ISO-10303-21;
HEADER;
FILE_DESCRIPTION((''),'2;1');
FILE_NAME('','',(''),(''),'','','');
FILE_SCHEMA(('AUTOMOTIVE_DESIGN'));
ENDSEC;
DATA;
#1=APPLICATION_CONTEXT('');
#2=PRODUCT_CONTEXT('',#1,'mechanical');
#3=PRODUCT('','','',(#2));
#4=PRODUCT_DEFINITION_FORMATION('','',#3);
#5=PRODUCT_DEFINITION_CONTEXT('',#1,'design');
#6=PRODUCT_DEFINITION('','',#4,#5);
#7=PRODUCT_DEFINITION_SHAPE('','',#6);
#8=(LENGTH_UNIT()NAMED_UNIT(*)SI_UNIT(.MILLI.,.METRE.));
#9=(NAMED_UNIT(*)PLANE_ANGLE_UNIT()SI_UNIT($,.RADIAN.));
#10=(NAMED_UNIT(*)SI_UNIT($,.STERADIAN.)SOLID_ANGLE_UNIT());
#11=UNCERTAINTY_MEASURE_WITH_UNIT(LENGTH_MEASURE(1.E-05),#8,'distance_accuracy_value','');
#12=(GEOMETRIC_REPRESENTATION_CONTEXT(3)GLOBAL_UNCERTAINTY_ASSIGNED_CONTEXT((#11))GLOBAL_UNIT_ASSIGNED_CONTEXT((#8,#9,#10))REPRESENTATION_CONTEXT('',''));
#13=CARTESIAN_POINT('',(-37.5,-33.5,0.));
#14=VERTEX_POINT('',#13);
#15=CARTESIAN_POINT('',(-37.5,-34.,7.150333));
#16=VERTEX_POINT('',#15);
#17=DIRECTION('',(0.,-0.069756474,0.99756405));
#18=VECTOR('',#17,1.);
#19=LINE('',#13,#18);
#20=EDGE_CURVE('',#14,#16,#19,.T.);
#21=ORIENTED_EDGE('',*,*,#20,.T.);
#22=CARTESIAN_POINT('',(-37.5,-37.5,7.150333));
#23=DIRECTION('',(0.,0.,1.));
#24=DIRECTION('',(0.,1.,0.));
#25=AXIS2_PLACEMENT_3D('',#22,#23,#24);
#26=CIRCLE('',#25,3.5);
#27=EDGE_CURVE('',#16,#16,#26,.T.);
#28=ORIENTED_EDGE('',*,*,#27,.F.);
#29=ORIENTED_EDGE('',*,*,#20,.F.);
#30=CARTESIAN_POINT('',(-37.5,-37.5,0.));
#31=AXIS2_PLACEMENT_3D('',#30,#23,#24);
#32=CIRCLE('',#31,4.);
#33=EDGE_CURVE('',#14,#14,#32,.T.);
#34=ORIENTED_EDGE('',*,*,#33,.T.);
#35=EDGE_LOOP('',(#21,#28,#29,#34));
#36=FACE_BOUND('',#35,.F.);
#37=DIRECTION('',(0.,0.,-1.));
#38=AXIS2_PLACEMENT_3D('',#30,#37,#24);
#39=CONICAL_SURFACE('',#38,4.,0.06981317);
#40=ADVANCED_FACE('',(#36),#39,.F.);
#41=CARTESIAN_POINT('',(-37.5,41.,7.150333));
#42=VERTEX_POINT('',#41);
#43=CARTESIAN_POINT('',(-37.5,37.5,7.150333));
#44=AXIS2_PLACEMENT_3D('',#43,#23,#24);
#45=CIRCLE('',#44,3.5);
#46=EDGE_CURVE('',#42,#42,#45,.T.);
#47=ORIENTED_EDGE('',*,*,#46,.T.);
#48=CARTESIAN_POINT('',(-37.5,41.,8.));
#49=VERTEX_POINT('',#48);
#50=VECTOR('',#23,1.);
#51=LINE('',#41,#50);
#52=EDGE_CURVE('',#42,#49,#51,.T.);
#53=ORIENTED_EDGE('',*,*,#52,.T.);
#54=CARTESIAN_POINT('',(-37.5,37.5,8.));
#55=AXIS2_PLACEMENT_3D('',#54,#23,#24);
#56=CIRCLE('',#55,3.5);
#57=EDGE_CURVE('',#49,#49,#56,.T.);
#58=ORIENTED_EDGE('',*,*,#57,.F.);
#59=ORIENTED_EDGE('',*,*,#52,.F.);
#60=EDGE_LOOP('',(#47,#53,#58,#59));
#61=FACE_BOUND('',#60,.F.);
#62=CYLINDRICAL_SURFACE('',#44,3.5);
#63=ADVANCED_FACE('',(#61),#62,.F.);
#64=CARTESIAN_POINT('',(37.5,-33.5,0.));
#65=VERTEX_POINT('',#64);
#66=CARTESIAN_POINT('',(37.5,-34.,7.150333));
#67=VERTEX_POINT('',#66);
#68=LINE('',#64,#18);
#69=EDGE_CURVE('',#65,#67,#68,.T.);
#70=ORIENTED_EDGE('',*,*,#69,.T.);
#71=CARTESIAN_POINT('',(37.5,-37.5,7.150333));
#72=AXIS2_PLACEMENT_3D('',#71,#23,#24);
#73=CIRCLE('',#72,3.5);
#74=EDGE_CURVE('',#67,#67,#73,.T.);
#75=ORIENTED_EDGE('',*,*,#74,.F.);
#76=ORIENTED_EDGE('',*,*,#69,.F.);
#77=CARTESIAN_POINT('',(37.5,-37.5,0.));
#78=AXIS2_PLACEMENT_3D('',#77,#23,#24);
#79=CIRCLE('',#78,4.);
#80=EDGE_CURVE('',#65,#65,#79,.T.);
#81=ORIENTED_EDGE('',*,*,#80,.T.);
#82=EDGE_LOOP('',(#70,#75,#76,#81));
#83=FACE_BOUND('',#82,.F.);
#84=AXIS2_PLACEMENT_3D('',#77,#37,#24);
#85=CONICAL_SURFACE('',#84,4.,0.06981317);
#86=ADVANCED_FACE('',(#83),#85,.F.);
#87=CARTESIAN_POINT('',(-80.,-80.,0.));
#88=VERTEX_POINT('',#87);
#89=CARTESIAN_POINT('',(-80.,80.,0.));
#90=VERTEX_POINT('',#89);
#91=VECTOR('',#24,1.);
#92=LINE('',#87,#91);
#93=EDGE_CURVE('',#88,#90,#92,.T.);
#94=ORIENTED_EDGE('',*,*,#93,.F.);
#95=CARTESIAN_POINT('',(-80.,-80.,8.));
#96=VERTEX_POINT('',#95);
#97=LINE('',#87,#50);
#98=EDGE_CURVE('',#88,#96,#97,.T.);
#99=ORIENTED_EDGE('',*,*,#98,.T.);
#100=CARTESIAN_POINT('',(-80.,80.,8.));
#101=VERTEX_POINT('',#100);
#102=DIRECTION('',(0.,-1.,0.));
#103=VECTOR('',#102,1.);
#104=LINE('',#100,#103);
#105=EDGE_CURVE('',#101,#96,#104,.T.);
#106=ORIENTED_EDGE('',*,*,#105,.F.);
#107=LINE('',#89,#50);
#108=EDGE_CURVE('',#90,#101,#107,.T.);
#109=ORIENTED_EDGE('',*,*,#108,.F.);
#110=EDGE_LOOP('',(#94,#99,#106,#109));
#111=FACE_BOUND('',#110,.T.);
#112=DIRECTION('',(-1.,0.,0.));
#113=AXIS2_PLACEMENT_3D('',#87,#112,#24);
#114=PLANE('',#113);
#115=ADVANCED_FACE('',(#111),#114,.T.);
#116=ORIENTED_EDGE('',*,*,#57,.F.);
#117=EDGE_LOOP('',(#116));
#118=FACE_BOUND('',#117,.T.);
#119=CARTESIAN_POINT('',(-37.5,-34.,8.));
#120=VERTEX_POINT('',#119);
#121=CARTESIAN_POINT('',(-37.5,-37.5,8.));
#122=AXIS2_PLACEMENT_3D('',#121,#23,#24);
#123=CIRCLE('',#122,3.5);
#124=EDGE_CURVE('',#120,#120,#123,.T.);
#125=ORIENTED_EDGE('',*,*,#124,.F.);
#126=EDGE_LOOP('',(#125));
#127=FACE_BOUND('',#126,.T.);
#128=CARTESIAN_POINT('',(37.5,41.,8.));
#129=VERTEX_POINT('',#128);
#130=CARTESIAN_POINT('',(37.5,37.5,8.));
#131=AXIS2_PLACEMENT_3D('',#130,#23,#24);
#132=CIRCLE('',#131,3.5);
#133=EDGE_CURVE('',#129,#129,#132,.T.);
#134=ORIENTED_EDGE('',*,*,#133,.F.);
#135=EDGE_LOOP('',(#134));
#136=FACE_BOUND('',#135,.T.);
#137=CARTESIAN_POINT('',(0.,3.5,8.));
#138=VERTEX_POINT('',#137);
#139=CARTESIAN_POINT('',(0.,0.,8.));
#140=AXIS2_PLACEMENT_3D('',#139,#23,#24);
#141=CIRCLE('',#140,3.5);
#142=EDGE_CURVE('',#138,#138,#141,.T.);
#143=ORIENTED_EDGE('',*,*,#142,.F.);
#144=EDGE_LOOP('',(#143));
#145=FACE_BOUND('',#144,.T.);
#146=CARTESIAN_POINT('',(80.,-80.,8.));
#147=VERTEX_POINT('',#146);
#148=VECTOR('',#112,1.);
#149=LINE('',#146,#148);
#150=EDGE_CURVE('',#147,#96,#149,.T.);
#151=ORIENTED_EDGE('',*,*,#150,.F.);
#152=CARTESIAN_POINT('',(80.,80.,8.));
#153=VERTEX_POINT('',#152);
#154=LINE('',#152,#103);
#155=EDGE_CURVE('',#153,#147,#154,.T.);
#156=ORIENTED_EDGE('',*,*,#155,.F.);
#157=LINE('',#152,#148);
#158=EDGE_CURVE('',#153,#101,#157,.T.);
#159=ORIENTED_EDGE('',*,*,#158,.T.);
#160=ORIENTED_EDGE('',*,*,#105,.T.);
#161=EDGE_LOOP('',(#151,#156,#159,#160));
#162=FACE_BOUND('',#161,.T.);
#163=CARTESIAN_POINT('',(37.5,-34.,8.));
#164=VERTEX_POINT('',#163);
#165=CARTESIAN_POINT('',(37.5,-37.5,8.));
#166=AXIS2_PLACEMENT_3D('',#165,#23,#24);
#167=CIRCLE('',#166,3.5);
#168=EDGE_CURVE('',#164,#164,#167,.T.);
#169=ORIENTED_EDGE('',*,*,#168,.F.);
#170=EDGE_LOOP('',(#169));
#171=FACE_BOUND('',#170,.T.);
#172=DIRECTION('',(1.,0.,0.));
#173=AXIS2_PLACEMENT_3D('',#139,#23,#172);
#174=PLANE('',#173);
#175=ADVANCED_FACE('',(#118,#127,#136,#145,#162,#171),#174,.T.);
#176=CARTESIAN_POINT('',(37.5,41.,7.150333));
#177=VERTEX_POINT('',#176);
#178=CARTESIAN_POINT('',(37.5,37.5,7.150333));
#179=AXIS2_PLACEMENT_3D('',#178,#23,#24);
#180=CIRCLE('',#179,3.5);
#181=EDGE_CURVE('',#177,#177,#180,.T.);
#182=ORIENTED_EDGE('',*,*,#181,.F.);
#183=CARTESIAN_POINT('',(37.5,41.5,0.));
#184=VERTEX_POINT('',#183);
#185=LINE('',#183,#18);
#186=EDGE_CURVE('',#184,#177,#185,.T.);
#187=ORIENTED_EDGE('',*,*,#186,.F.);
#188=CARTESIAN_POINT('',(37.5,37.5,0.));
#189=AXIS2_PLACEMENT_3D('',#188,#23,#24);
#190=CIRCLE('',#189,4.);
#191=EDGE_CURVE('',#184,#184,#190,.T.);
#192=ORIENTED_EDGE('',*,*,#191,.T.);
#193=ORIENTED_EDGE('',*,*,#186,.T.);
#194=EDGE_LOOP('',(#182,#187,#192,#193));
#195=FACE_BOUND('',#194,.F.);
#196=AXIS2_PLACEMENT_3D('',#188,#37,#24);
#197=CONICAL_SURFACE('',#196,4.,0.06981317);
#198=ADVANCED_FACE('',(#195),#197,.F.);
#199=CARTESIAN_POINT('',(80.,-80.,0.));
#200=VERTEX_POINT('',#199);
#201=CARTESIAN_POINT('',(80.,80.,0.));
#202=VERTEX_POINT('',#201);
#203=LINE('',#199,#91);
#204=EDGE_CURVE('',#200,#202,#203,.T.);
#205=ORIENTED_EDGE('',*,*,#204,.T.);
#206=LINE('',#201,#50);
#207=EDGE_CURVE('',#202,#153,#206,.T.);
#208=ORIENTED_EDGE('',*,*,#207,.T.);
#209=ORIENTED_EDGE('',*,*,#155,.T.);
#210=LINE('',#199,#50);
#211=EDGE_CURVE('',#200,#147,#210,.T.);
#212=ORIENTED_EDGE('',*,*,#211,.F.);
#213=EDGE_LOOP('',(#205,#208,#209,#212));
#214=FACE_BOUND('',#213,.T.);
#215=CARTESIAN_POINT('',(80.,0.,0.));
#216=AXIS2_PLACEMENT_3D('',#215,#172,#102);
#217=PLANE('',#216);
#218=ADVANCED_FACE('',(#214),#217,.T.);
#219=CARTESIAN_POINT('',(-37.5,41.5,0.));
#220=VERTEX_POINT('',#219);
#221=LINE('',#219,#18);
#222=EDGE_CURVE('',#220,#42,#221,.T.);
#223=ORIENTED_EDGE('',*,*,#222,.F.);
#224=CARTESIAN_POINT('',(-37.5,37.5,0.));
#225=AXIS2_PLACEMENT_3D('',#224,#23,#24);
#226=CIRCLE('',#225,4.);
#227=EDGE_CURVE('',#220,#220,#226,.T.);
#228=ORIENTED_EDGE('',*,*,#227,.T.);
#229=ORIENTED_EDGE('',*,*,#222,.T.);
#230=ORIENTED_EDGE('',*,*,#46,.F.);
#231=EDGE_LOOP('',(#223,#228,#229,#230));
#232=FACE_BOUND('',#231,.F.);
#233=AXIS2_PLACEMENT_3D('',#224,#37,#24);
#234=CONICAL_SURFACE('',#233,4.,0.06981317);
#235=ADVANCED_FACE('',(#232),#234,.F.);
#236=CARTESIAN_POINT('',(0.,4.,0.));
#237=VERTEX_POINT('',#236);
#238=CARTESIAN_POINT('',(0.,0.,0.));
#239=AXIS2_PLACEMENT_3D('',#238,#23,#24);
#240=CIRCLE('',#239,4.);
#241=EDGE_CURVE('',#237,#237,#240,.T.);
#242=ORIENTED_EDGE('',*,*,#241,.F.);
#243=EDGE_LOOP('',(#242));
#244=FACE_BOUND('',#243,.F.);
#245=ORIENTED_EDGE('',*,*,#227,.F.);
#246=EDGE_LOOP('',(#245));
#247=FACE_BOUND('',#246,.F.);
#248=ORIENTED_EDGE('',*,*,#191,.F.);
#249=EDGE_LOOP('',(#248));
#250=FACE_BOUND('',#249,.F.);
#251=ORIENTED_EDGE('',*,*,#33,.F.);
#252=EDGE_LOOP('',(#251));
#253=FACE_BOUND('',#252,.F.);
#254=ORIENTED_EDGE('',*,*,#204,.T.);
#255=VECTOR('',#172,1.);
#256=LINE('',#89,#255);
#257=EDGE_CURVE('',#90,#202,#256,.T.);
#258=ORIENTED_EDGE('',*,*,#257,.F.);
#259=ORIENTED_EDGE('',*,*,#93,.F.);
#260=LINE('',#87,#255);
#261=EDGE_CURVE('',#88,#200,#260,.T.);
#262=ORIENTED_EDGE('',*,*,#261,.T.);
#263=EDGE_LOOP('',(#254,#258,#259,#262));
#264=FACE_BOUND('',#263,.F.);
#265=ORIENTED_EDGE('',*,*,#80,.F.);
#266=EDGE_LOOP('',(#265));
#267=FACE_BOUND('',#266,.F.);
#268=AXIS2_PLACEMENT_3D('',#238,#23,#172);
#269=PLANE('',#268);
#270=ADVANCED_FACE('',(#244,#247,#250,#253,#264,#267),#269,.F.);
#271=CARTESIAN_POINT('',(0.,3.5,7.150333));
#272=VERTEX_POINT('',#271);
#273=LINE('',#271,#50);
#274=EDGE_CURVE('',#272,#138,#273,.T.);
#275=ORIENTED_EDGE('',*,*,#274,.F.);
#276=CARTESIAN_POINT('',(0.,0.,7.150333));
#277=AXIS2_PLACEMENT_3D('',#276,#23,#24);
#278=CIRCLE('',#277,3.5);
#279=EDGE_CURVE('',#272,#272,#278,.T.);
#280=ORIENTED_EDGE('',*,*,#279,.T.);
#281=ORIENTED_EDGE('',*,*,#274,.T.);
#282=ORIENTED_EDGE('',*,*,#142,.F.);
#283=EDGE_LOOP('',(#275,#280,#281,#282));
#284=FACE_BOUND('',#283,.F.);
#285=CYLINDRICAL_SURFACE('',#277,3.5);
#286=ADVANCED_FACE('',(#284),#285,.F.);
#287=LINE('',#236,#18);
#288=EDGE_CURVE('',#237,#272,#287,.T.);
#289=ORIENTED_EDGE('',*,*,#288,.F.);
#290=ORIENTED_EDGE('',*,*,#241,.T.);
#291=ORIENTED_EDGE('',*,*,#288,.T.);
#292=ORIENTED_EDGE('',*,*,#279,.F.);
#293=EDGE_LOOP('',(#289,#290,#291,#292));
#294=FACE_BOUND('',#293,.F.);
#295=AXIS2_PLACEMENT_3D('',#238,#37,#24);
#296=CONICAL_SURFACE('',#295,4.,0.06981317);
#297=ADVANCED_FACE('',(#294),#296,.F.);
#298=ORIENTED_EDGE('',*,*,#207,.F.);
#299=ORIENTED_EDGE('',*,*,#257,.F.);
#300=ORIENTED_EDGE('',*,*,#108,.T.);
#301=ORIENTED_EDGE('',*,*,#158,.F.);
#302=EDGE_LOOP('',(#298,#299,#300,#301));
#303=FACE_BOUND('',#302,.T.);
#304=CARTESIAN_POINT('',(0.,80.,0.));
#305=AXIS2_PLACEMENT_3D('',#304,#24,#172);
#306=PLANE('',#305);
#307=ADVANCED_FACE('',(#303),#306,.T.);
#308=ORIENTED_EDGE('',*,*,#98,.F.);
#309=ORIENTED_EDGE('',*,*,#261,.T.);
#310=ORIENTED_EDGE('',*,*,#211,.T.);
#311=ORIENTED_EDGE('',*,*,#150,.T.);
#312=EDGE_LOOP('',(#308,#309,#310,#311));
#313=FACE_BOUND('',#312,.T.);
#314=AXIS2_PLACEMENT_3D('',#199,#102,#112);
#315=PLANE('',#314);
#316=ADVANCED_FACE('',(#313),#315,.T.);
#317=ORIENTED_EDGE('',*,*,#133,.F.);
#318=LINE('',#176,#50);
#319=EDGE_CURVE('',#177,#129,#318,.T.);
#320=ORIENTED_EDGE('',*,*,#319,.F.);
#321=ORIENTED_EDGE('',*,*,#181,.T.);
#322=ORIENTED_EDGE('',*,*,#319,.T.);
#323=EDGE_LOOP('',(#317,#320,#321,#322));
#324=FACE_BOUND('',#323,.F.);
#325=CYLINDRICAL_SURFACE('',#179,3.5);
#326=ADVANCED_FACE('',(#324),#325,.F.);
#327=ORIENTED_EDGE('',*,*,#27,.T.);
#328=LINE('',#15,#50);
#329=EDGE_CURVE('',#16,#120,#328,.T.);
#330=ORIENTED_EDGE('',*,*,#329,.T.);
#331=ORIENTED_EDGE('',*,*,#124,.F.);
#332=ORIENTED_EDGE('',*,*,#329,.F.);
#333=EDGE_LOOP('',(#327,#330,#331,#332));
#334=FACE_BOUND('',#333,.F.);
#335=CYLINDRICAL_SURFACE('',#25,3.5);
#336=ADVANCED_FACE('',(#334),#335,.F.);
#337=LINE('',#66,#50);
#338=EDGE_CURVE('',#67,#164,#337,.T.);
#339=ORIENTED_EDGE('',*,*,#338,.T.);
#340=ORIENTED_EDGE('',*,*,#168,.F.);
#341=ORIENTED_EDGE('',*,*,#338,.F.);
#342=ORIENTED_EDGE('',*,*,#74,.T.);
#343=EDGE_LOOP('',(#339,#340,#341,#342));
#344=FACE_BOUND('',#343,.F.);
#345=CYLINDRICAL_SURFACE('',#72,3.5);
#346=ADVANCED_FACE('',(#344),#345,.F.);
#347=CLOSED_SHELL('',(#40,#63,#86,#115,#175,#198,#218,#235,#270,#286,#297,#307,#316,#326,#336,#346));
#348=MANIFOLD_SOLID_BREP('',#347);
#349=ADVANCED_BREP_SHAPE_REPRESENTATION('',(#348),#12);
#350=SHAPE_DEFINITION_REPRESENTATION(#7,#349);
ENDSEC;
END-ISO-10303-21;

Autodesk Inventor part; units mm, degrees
ref_plane "YZ Plane" through (0, 0, 0) normal (1, 0, 0) x (0, 1, 0)
ref_plane "XZ Plane" through (0, 0, 0) normal (0, 1, 0) x (-1, 0, 0)
ref_plane "XY Plane" through (0, 0, 0) normal (0, 0, 1) x (1, 0, 0)
sketch "Sketch41" plane through (0, 0, 0) normal (0, 0, 1) x (1, 0, 0)
  line L0 (80, -80) -> (-80, -80)
  line L1 (-80, -80) -> (-80, 80)
  line L2 (-80, 80) -> (80, 80)
  line L3 (80, 80) -> (80, -80)
  line L4 (80, -80) -> (-80, 80) construction
  line L5 (-80, -80) -> (80, 80) construction
  circle A0 centre (-37.5, 37.5) radius 37.5
  line L6 (0, -112) -> (0, 112) projected
  line L7 (-112, 0) -> (112, 0) projected
  circle A1 centre (-37.5, 37.5) radius 31.6165
  circle A2 centre (-37.5, 37.5) radius 21.4165
  circle A3 centre (37.5, -37.5) radius 31.6165
  circle A4 centre (37.5, -37.5) radius 21.4165
  line L8 (59.8562, -15.1438) -> (-15.1438, 59.8562)
  line L9 (52.6438, -22.3562) -> (-22.3562, 52.6438)
  line L10 (15.1438, -59.8562) -> (-59.8562, 15.1438)
  line L11 (22.3562, -52.6438) -> (-52.6438, 22.3562)
  circle A5 centre (-37.5, -37.5) radius 31.6165
  circle A6 centre (-37.5, -37.5) radius 21.4165
  circle A7 centre (37.5, 37.5) radius 31.6165
  circle A8 centre (37.5, 37.5) radius 21.4165
  line L12 (59.8562, 15.1438) -> (-15.1438, -59.8562)
  line L13 (52.6438, 22.3562) -> (-22.3562, -52.6438)
  line L14 (15.1438, 59.8562) -> (-59.8562, -15.1438)
  line L15 (22.3562, 52.6438) -> (-52.6438, -22.3562)
  line L16 (-37.5, 37.5) -> (-37.5, -37.5)
  circle A9 centre (-60.481, 60.481) radius 5
  line L17 (-49.8744, 49.8744) -> (-71.0876, 71.0876)
  arc A10 (-49.8744, 49.8744) -> (-71.0876, 71.0876) centre (-74.6231, 46.3388) ccw
  arc A11 (-71.0876, 71.0876) -> (-49.8744, 49.8744) centre (-46.3388, 74.6231) ccw
  arc A12 (-49.6403, 49.6403) -> (-71.3216, 71.3216) centre (-74.6231, 46.3388) ccw
  arc A13 (-71.3216, 71.3216) -> (-49.6403, 49.6403) centre (-46.3388, 74.6231) ccw
  line L18 (53.6853, -18.7098) -> (35.2271, 4.9396)
  circle A14 centre (44.4562, -6.8851) radius 5
  arc A15 (35.2271, 4.9396) -> (53.6853, -18.7098) centre (60.2225, 5.4203) ccw
  arc A16 (53.6853, -18.7098) -> (35.2271, 4.9396) centre (28.6899, -19.1906) ccw
  circle A17 centre (-37.5, 37.5) radius 17.5
  circle A18 centre (-37.5, 37.5) radius 7.5
  line L19 (-71.3216, 71.3216) -> (-49.6403, 49.6403)
  line L20 (-52.6438, 22.3562) -> (-59.8562, 15.1438)
  arc A19 (-62.7512, 26.1128) -> (-44.7125, 0) centre (17.6641, 62.3766) ccw
  arc A20 (-53.4529, 30.3059) -> (-37.5, 7.2125) centre (17.6641, 62.3766) ccw
  arc A21 (0, 44.7125) -> (-26.1128, 62.7512) centre (-62.3766, -17.6641) ccw
  arc A22 (-7.2125, 37.5) -> (-30.3059, 53.4529) centre (-62.3766, -17.6641) ccw
  line L21 (-37.5, 37.5) -> (-26.1128, 62.7512)
  circle A23 centre (-37.5, 37.5) radius 27.7
  circle A24 centre (-65.9013, 65.9013) radius 7.6655
  line L22 (-73.1417, 68.4185) -> (-44.18, 58.3498)
  line L23 (-73.5645, 66.0883) -> (-42.9116, 65.3403)
  line L24 (-73.038, 68.6991) -> (-44.4913, 57.5078)
  line L25 (-30.2936, 64.2462) -> (-63.9071, 73.3029)
  line L26 (-32.9472, 54.3974) -> (-44.4913, 57.5078)
  arc A25 (-60.0448, 43.663) -> (-44.4913, 57.5078) centre (-65.9013, 65.9013) ccw
  line L27 (-64.2462, 30.2936) -> (-73.3029, 63.9071)
  line L28 (-54.3974, 32.9472) -> (-57.5078, 44.4913)
  point P0 (0, 0)
  point P1 (-37.5, 7.2125)
  point P2 (44.7125, 0)
  point P3 (-30.2875, 0)
  point P4 (-60.481, 60.481)
  dimension "d1039" = 35
  dimension "TrackWidth" = 10.2
  dimension "d715" = 160
  dimension "d718" = 75
  dimension "d721" = 10
  dimension "d722" = 30
  dimension "d723" = 0.2
  dimension "d1003" = 10
  dimension "d1004" = 30
  dimension "d1040" = 15
extrude "Extrusion39" add sketch "Sketch41" along normal blind 8
hole "Hole11" at (37.5, 37.5, 0) at (-37.5, 37.5, 0) at (-37.5, -37.5, 0) at (0, 0, 0) at (37.5, -37.5, 0) direction (0, 0, 1) diameter 7 end through all countersink diameter 8 countersink angle 8
equation "\"TrackClearance\" = 0.2"
equation "\"d903\" = 55deg"
equation "\"Sketch59_Pitch\" = 1.25"
equation "\"d921\" = 55deg"
equation "\"Sketch61_Pitch\" = 1.25"
equation "\"d939\" = 55deg"
equation "\"Sketch63_Pitch\" = 1.25"
equation "\"d957\" = 55deg"
equation "\"Sketch65_Pitch\" = 1.25"
equation "\"d975\" = 55deg"
equation "\"Sketch67_Pitch\" = 1.25"
equation "\"d1117\" = 55deg"
equation "\"Sketch85_Pitch\" = 1.25"
equation "\"d1140\" = 55deg"
equation "\"Sketch87_Pitch\" = 1.25"
equation "\"d1160\" = 55deg"
equation "\"Sketch89_Pitch\" = 1.25"
equation "\"d1180\" = 55deg"
equation "\"Sketch91_Pitch\" = 1.25"
equation "\"d1202\" = 55deg"
equation "\"Sketch94_Pitch\" = 1.25"
properties part number "AlignmentPlate"
